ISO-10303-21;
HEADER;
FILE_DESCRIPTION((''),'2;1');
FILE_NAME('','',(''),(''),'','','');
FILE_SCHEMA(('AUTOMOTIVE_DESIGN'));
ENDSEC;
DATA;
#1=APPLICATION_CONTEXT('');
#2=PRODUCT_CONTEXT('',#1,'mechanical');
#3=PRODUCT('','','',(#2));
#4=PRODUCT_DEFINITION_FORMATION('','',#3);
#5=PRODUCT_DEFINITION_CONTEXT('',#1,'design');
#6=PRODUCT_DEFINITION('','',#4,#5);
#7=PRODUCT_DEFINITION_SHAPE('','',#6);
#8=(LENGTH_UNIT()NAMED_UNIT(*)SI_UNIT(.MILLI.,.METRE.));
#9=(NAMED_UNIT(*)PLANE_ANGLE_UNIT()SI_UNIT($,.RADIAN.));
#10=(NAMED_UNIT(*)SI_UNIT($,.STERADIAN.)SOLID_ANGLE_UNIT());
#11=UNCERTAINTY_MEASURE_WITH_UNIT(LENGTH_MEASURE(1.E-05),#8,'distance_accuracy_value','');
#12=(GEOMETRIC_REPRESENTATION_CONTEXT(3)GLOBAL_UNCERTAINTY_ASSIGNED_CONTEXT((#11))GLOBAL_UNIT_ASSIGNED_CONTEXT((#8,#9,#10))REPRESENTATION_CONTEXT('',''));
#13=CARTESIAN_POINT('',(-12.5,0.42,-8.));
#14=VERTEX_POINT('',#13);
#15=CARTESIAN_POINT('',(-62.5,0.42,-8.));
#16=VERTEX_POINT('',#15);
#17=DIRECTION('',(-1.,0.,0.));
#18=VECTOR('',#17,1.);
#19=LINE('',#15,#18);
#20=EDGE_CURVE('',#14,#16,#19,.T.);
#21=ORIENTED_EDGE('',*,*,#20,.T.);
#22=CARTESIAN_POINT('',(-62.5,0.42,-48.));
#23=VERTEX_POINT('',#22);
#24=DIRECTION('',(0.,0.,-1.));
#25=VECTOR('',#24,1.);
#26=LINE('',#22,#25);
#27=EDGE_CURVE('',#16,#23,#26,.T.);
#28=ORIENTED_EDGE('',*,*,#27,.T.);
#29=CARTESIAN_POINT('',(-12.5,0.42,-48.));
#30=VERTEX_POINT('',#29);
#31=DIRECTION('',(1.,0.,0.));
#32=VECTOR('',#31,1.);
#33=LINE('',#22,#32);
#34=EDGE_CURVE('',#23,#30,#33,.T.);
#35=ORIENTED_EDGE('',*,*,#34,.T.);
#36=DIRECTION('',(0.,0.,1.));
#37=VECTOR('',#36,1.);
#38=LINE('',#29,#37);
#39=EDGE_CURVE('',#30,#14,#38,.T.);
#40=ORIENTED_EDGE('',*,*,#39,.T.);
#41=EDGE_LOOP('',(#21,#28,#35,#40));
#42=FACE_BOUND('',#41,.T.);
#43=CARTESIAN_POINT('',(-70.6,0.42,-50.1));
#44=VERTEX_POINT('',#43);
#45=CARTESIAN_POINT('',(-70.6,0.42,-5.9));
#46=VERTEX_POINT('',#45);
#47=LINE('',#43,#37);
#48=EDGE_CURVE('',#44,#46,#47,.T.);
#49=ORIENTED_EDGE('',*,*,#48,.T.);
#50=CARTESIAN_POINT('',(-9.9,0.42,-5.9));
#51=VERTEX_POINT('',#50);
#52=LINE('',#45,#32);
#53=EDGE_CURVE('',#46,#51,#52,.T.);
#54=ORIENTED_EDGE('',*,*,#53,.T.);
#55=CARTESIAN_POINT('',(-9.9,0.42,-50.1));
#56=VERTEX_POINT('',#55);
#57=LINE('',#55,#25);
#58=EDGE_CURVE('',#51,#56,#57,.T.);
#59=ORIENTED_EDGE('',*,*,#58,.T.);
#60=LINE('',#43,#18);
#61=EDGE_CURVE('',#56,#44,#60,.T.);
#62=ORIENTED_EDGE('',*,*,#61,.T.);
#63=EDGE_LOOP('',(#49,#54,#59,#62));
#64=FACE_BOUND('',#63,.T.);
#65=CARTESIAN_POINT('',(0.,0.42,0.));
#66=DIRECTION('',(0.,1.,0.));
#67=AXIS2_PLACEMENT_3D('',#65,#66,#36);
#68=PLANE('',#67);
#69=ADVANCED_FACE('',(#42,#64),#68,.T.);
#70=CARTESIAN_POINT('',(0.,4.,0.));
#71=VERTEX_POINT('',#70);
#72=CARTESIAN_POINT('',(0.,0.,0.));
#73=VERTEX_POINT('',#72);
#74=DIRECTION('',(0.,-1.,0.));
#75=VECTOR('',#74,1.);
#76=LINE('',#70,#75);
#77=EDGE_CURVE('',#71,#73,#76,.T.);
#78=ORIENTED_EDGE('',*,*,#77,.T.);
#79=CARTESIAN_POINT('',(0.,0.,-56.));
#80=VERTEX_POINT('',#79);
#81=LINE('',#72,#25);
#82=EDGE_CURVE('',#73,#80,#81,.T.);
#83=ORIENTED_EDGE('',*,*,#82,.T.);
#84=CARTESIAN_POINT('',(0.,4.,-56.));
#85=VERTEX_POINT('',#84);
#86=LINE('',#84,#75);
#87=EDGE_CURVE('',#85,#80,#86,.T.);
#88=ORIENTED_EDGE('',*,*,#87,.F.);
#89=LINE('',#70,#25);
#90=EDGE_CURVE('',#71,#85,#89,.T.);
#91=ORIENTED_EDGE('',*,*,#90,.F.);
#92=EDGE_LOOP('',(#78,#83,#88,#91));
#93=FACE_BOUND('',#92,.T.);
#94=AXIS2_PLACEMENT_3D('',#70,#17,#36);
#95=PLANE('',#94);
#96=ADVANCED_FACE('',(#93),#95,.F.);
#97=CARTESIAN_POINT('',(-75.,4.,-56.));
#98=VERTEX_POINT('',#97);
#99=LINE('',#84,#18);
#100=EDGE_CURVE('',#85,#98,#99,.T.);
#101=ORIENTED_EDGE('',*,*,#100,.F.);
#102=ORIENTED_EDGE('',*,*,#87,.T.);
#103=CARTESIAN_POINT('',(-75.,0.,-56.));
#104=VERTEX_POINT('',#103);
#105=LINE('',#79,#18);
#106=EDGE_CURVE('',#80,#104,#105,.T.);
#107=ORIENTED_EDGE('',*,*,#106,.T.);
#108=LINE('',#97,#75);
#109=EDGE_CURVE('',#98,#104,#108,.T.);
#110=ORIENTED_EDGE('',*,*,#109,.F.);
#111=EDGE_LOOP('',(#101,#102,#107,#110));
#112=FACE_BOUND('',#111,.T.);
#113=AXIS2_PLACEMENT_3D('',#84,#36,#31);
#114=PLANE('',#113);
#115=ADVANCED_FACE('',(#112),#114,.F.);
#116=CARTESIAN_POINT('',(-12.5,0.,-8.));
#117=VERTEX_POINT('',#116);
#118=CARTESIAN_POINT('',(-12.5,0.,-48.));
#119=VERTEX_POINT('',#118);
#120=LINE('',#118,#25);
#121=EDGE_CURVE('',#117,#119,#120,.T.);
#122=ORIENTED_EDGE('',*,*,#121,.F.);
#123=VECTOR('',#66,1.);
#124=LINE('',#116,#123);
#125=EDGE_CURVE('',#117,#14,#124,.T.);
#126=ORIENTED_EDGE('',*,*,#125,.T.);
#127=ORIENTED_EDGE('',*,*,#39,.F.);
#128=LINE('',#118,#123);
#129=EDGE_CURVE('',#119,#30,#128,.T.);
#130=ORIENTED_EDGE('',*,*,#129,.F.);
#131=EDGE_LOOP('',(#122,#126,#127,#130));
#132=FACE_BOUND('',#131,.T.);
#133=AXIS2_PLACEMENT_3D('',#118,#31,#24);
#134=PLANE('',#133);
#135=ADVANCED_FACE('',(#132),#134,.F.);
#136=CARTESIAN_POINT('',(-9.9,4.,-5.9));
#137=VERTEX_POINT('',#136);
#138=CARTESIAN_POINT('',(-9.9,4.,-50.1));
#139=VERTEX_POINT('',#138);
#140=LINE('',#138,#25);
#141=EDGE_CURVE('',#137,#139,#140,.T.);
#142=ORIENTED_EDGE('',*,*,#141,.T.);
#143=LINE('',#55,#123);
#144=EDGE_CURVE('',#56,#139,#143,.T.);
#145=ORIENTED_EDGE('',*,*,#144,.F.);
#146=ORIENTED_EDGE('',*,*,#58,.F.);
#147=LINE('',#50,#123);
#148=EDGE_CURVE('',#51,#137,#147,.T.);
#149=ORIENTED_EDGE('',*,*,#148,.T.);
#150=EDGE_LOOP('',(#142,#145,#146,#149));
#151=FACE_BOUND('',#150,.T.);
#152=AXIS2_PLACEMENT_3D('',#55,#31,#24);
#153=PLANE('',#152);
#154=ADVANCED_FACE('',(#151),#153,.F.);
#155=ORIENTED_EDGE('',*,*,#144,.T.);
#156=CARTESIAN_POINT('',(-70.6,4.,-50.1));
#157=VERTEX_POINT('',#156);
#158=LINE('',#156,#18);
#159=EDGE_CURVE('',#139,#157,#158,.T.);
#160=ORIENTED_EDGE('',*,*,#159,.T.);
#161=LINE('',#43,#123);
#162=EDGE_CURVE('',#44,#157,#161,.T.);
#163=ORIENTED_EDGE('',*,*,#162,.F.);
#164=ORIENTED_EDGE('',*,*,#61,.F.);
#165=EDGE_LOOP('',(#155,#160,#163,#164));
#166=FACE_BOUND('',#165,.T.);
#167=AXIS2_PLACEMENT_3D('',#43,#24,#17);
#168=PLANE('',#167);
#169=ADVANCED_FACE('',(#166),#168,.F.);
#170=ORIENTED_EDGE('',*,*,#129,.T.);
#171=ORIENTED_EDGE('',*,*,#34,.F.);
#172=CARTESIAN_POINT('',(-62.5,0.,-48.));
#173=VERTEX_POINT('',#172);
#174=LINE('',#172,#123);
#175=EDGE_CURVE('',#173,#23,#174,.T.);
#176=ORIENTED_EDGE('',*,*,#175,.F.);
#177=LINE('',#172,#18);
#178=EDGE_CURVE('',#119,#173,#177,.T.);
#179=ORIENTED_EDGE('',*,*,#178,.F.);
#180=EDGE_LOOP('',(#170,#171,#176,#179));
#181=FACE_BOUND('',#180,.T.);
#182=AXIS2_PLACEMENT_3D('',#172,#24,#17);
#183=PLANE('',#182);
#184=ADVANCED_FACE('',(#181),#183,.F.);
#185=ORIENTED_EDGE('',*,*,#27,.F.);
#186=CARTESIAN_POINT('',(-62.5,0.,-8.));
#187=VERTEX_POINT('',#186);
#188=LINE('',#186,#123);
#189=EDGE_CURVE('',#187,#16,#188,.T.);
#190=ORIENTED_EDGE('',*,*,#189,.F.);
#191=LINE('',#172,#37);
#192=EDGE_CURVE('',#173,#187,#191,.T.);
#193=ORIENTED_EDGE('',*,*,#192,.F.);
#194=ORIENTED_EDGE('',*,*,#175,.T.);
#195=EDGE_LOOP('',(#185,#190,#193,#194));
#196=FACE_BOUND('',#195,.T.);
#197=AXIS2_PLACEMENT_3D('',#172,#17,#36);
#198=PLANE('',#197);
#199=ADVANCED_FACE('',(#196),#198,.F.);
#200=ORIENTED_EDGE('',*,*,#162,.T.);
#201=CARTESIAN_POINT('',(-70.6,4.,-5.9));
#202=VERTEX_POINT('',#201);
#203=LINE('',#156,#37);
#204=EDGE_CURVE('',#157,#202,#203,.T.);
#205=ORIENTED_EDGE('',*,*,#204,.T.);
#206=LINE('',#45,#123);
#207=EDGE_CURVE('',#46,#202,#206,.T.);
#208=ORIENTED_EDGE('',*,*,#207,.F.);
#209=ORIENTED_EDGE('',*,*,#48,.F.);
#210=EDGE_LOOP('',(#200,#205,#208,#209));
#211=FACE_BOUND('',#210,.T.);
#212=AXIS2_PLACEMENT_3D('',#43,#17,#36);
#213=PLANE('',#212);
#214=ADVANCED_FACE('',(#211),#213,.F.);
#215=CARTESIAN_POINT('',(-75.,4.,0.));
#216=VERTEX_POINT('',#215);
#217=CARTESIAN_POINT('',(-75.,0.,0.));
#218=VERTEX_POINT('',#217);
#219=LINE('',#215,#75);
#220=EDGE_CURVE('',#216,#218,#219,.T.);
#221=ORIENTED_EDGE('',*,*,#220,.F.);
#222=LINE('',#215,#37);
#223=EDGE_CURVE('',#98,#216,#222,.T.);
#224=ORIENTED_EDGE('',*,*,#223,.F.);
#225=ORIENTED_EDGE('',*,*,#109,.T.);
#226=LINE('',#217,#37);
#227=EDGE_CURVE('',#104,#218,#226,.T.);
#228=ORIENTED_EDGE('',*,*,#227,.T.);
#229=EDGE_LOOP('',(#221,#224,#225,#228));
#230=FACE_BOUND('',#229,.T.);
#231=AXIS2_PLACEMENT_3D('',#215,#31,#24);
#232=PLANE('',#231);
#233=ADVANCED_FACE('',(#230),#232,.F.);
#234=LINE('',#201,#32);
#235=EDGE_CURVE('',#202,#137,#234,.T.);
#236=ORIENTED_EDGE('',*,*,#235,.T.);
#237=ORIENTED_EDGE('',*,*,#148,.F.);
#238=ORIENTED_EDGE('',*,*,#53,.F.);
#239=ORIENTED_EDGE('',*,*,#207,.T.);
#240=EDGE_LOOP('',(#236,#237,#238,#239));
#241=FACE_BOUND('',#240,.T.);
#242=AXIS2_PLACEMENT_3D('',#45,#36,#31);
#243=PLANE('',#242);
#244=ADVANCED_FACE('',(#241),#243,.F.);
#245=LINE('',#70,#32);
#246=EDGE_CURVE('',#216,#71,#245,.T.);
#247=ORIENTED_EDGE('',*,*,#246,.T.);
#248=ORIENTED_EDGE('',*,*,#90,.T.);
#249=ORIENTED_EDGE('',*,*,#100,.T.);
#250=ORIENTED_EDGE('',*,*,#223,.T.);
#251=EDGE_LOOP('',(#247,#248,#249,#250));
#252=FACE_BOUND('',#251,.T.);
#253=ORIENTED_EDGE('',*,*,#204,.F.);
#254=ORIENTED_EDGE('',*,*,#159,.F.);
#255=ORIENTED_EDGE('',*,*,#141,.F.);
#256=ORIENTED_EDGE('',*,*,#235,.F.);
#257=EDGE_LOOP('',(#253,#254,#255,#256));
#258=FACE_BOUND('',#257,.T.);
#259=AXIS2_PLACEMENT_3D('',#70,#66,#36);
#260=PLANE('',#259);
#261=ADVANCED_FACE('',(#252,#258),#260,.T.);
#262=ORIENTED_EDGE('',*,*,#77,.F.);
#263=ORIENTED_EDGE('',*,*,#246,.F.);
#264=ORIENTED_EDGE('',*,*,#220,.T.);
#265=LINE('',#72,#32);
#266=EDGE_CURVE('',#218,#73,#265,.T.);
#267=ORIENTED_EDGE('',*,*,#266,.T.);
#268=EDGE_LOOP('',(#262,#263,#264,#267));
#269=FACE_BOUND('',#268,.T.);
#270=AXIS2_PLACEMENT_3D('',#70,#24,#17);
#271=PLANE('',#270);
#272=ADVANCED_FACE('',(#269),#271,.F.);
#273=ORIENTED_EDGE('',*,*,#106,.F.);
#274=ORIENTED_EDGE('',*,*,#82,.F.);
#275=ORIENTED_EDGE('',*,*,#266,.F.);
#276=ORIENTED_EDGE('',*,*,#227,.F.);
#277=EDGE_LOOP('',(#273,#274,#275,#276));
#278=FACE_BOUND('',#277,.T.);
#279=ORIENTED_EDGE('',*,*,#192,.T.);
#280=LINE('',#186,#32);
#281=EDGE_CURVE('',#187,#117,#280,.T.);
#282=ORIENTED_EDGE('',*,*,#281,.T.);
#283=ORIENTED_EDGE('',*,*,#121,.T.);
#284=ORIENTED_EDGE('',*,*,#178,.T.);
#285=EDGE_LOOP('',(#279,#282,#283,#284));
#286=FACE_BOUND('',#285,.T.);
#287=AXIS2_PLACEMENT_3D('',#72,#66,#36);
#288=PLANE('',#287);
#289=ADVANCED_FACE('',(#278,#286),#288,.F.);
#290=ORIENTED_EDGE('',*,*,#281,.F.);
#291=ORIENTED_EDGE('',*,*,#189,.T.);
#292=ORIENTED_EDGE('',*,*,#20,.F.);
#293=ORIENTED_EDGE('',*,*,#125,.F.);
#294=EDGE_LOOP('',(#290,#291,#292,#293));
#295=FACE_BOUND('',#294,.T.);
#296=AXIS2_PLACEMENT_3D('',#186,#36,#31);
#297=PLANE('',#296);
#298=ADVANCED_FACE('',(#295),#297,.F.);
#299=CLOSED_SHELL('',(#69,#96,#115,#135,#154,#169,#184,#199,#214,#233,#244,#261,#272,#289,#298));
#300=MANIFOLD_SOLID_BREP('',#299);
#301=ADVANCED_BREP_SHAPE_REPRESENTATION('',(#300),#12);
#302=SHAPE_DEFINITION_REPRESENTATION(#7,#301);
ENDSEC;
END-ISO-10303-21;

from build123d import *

# Parameters (mm, degrees)
ESBO_O4_W                = 75
ESBO_O4_H                = 56
RESSALTO_EXTRUS_O1_DEPTH = 4
ESBO_O5_W                = 50
ESBO_O5_H                = 40
CORTE_EXTRUS_O1_DEPTH    = 94.685644578
ESBO_O6_W                = 60.7
ESBO_O6_H                = 44.2
CORTE_EXTRUS_O2_DEPTH    = 3.58


with BuildPart() as part:
    # Esboço4 → Ressalto-extrusão1 (new body)
    with BuildSketch(Plane(origin=(0, 0, 0), x_dir=(1, 0, 0), z_dir=(0, 1, 0))):
        with Locations((-37.5, 28)):
            Rectangle(ESBO_O4_W, ESBO_O4_H)
    extrude(amount=RESSALTO_EXTRUS_O1_DEPTH)

    # Esboço5 → Corte-extrusão1 (cut, through all)
    with BuildSketch(Plane(origin=(0, 4, 0), x_dir=(1, 0, 0), z_dir=(0, 1, 0))):
        with Locations((-37.5, 28)):
            Rectangle(ESBO_O5_W, ESBO_O5_H)
    extrude(amount=-CORTE_EXTRUS_O1_DEPTH, mode=Mode.SUBTRACT)

    # Esboço6 → Corte-extrusão2 (cut)
    with BuildSketch(Plane(origin=(0, 4, 0), x_dir=(1, 0, 0), z_dir=(0, 1, 0))):
        with Locations((-40.25, 28)):
            Rectangle(ESBO_O6_W, ESBO_O6_H)
    extrude(amount=-CORTE_EXTRUS_O2_DEPTH, mode=Mode.SUBTRACT)


solid = part.part
